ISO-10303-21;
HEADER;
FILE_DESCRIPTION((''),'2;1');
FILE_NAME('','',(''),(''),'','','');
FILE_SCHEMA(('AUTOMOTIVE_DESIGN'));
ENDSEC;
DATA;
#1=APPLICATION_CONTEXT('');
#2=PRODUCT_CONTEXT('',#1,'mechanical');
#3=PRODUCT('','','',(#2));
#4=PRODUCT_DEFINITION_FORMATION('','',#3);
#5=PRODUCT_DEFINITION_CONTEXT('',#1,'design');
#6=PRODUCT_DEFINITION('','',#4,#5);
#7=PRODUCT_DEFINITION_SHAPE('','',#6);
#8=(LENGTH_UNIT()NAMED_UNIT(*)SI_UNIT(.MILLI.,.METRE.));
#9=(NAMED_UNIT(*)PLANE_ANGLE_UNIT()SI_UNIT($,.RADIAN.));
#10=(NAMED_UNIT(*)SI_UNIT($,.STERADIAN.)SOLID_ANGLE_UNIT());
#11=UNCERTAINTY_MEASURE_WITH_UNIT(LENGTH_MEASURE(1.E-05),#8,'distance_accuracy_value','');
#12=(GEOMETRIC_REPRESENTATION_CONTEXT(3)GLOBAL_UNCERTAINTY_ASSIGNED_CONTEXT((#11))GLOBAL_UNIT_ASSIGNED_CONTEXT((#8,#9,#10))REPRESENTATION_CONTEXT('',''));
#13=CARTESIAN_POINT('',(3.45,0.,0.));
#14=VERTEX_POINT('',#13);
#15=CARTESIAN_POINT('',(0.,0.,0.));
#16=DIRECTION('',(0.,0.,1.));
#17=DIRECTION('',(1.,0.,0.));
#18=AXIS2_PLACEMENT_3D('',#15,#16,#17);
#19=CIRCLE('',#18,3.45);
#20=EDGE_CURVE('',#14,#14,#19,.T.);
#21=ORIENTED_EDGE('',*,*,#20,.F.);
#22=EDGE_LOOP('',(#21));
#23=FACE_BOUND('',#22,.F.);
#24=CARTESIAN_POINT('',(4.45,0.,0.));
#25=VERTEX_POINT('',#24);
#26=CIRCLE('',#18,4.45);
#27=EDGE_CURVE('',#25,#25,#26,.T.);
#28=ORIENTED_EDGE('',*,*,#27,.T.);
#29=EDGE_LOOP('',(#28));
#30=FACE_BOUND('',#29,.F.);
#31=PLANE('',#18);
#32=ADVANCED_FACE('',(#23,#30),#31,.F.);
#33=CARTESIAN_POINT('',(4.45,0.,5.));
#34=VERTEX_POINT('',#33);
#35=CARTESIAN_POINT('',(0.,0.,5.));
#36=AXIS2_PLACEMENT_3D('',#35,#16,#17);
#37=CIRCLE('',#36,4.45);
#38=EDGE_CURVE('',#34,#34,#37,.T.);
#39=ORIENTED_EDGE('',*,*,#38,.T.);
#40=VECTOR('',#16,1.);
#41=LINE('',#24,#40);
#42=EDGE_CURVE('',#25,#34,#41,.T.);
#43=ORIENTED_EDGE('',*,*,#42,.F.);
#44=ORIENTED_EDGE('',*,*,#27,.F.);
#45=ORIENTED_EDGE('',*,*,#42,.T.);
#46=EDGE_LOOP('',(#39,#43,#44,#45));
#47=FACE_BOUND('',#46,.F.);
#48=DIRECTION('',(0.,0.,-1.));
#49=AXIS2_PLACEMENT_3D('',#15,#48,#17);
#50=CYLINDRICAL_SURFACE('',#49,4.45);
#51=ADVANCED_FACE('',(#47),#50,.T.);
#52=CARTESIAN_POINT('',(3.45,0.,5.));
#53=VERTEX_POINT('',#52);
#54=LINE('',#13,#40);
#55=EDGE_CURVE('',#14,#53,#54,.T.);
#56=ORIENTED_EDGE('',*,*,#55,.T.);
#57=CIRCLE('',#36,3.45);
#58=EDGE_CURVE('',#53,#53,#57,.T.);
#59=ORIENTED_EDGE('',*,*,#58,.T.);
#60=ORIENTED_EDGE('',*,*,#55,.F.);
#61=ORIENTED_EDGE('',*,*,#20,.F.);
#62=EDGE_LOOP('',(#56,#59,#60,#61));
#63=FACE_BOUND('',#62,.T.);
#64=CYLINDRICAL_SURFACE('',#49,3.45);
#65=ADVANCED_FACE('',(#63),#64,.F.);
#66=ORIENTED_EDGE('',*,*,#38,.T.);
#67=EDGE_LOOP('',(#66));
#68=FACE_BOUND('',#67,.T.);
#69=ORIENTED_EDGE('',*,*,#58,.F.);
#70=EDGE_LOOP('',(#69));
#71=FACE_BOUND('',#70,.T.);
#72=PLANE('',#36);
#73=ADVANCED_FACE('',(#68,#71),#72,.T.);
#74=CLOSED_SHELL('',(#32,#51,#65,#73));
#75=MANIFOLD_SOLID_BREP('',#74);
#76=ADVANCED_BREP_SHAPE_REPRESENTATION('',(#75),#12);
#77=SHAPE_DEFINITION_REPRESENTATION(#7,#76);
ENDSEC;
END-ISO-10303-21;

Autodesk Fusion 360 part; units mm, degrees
sketch "Sketch1" plane through (0, 0, 0) normal (0, 0, 1) x (1, 0, 0)
  circle A0 centre (0, 0) radius 3.45
  circle A1 centre (0, 0) radius 4.45
  dimension "d1" = 6.9
  dimension "d2" = 1
extrude "Extrude1" add sketch "Sketch1" along normal blind 5
